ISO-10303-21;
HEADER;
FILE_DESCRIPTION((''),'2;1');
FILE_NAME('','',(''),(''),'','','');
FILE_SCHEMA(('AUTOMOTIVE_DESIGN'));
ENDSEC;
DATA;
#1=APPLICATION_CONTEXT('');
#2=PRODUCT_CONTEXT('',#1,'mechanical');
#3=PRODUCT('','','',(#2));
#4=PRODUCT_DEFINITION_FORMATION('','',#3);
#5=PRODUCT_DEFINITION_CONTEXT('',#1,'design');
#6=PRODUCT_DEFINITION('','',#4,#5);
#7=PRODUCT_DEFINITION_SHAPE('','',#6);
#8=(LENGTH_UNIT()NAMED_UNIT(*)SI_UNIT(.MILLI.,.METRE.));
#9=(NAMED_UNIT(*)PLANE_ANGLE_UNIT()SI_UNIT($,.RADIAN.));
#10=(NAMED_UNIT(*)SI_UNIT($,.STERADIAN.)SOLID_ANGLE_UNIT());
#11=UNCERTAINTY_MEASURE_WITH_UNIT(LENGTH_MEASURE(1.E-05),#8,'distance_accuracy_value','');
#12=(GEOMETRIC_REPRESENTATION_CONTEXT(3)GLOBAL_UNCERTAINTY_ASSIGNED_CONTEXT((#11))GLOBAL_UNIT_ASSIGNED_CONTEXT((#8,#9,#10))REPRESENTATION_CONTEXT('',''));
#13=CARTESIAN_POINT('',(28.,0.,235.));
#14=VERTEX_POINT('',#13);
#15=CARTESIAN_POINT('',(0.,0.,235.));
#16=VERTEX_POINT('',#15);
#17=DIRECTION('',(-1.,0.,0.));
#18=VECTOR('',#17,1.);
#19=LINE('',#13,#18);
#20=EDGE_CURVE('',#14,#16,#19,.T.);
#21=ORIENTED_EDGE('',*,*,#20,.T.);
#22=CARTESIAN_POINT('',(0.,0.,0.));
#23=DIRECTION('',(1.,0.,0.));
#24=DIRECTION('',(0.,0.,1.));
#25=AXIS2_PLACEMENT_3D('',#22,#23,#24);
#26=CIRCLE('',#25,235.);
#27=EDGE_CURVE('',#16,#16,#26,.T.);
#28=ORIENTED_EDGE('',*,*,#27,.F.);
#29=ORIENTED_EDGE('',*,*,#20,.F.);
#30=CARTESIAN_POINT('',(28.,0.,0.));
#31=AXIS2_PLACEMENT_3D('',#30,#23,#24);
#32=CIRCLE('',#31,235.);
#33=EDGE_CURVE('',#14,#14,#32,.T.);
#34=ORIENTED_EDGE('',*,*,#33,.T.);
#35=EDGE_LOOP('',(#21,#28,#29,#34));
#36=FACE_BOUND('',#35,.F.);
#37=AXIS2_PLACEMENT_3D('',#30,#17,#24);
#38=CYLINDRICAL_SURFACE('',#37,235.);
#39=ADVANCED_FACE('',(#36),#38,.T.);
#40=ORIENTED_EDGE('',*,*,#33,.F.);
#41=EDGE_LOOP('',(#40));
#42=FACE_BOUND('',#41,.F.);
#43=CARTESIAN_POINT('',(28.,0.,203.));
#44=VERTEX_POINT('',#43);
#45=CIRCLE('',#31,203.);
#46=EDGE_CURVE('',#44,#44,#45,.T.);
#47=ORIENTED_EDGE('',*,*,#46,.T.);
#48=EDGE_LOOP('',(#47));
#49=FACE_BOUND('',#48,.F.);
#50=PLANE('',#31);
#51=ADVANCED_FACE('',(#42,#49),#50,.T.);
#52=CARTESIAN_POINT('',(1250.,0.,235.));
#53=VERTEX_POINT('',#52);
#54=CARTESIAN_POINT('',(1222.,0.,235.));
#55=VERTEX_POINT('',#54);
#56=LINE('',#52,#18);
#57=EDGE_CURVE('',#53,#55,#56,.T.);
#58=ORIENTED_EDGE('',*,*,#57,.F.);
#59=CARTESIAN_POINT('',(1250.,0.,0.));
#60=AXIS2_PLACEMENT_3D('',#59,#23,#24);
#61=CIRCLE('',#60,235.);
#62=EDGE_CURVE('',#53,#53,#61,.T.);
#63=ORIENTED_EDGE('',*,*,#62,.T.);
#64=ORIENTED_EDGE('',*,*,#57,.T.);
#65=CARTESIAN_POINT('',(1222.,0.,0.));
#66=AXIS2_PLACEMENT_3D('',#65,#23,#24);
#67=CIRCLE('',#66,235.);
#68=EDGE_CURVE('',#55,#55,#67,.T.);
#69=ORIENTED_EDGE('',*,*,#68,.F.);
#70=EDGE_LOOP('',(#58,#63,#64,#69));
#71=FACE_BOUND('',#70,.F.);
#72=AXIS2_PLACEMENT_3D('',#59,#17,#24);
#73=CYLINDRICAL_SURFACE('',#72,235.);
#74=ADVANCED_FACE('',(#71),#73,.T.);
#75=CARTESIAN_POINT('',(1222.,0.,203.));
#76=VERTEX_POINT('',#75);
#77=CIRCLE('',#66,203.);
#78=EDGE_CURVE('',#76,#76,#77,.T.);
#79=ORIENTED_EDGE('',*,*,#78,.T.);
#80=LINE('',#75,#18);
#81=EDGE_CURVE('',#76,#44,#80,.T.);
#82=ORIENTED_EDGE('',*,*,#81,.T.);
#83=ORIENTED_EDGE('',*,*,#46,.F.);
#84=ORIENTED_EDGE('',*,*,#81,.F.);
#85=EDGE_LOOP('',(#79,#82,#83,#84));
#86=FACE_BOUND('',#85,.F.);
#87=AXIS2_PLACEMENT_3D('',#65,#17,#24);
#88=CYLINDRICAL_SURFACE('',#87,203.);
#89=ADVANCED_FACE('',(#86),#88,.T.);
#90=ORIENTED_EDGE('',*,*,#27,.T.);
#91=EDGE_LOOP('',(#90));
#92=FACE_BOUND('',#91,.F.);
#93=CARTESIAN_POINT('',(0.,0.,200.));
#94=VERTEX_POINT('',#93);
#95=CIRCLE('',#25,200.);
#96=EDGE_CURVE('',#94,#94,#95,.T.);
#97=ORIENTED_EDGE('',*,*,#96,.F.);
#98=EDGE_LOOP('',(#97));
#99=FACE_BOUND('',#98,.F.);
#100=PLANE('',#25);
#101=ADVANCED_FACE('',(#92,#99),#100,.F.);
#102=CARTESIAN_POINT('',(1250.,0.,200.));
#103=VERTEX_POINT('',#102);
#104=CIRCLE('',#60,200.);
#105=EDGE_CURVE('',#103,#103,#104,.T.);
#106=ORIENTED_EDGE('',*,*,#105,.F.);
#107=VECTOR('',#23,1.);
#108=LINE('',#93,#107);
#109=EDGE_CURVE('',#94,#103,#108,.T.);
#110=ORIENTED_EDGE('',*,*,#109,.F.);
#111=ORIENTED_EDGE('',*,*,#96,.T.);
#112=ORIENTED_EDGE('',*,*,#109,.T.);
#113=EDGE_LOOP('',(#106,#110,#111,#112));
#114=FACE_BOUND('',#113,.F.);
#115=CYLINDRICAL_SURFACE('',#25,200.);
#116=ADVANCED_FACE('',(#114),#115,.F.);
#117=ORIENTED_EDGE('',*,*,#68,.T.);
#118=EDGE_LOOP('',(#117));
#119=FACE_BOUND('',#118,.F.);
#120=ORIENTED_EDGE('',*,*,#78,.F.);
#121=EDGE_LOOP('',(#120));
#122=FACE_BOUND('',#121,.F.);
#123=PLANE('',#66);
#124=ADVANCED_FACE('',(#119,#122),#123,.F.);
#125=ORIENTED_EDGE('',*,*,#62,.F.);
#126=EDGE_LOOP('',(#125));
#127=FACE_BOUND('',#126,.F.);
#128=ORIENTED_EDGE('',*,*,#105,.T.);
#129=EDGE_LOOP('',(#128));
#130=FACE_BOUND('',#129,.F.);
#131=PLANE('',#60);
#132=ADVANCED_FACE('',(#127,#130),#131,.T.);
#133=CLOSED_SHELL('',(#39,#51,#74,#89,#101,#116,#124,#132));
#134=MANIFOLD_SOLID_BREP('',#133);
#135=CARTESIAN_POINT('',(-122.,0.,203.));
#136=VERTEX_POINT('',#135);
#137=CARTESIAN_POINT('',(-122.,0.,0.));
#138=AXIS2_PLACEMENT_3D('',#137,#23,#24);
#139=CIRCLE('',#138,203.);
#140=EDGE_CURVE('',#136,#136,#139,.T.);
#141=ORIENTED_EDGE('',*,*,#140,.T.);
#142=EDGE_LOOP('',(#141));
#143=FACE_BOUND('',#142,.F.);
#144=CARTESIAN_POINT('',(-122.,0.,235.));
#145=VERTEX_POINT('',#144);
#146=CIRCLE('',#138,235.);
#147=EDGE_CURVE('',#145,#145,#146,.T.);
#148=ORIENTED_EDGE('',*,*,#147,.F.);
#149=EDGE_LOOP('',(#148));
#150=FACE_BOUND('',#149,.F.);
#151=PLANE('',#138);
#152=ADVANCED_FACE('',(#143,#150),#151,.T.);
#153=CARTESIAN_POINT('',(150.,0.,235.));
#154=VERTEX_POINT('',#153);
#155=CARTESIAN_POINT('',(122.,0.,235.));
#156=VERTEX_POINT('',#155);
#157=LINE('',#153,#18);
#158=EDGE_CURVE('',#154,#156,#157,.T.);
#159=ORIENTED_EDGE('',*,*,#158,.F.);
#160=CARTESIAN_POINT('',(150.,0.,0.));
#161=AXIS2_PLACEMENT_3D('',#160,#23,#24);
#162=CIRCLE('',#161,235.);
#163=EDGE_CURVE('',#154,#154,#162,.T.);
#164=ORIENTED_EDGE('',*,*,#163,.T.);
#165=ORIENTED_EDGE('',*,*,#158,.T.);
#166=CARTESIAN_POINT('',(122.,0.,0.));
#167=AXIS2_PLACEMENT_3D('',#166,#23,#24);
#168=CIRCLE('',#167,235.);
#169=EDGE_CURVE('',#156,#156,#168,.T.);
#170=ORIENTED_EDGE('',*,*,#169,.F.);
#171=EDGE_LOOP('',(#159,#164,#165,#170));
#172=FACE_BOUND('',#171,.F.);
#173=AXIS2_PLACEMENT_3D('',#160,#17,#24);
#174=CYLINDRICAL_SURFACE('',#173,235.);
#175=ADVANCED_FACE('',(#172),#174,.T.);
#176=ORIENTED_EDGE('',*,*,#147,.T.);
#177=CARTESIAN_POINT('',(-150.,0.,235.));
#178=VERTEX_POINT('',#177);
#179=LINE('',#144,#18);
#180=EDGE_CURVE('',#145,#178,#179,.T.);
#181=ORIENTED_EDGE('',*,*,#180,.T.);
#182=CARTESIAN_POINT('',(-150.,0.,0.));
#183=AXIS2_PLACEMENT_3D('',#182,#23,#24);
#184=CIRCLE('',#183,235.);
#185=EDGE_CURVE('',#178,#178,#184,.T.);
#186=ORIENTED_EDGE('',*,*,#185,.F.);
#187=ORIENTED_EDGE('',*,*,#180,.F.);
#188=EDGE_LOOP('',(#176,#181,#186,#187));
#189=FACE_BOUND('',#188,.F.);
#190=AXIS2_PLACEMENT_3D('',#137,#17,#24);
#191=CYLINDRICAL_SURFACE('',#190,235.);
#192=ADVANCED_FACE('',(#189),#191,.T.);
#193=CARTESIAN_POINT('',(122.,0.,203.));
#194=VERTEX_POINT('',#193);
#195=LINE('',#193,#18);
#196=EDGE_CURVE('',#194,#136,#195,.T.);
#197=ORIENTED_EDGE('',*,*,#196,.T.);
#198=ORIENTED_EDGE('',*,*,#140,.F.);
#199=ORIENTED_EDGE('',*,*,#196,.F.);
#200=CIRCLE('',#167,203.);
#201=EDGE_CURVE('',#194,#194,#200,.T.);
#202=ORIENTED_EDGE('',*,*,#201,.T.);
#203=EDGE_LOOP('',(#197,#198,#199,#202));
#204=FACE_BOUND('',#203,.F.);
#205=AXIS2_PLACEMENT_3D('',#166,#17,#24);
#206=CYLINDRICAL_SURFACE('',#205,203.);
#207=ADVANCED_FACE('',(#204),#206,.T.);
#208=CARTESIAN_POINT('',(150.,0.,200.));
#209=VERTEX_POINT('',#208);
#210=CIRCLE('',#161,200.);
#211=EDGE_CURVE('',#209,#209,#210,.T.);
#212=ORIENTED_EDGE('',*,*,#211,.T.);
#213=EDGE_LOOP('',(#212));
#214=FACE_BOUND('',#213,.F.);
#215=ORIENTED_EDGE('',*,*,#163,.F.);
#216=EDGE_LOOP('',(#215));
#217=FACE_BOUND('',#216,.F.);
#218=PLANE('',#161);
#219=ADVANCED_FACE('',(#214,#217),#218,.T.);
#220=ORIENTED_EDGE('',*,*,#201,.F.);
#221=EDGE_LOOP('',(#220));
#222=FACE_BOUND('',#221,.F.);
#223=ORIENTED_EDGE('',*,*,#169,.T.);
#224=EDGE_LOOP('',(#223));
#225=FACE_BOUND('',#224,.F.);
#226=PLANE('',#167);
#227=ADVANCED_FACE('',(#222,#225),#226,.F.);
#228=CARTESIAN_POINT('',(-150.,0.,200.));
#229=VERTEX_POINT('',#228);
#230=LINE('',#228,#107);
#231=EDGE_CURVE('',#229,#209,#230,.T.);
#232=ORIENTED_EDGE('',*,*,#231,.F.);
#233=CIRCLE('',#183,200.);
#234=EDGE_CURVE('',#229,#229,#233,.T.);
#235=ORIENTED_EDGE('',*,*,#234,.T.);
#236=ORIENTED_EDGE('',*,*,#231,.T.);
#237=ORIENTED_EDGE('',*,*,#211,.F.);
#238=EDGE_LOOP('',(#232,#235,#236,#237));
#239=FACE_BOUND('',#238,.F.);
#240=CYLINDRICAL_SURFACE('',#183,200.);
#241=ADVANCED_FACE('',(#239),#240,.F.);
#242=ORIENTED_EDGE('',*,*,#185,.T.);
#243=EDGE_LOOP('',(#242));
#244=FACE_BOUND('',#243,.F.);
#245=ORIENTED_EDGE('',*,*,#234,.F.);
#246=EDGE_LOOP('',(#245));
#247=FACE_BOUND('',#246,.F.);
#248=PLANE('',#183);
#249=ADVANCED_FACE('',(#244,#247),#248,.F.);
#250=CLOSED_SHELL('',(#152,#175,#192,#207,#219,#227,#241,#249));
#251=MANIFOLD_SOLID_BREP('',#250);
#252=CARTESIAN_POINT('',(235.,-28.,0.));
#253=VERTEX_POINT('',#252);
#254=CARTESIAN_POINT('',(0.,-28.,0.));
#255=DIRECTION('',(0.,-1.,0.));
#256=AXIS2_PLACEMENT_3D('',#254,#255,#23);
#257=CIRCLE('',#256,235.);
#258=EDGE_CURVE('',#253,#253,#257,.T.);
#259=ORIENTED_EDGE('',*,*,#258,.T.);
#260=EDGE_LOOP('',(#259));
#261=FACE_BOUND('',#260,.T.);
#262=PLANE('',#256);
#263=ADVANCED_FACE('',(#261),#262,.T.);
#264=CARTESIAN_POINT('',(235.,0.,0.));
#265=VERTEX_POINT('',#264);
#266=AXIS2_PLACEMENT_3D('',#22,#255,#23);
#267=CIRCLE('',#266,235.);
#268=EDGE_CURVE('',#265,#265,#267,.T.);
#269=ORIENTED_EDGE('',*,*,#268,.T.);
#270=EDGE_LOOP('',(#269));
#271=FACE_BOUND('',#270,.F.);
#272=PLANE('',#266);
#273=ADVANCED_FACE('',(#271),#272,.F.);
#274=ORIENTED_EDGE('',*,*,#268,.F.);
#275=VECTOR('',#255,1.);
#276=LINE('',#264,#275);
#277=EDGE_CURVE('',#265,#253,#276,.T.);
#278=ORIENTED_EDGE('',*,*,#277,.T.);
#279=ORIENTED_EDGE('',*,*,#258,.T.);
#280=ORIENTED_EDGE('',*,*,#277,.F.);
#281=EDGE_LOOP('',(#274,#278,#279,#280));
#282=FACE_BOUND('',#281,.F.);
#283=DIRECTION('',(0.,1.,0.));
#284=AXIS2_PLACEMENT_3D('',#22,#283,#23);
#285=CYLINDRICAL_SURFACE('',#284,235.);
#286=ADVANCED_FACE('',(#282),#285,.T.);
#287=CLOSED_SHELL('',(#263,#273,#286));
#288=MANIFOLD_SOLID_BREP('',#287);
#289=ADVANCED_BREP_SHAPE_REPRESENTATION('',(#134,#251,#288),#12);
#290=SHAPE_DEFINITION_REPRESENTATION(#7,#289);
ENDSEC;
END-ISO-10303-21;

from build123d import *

# Parameters (mm, degrees)
F6_R     = 235
F7_DEPTH = 28


with BuildPart() as f2:
    # F0 (on Front) → F2 (revolve)
    with BuildSketch(Plane.XZ):
        Polygon((0, 235), (0, 200), (1250, 200), (1250, 235), (1222, 235), (1222, 203), (28, 203), (28, 235), align=None)
    revolve(axis=Axis((-36.346368, 0, 0), (1, 0, 0)))


with BuildPart() as f5:
    # F4 (on Front) → F5 (revolve)
    with BuildSketch(Plane.XZ):
        Polygon((-150, 235), (-150, 200), (150, 200), (150, 235), (122, 235), (122, 203), (-122, 203), (-122, 235), align=None)
    revolve(axis=Axis((-36.346368, 0, 0), (1, 0, 0)))


with BuildPart() as f7:
    # F6 (on Front) → F7 (new body)
    with BuildSketch(Plane.XZ):
        Circle(F6_R)
    extrude(amount=F7_DEPTH)


solid = Compound([f2.part, f5.part, f7.part])
